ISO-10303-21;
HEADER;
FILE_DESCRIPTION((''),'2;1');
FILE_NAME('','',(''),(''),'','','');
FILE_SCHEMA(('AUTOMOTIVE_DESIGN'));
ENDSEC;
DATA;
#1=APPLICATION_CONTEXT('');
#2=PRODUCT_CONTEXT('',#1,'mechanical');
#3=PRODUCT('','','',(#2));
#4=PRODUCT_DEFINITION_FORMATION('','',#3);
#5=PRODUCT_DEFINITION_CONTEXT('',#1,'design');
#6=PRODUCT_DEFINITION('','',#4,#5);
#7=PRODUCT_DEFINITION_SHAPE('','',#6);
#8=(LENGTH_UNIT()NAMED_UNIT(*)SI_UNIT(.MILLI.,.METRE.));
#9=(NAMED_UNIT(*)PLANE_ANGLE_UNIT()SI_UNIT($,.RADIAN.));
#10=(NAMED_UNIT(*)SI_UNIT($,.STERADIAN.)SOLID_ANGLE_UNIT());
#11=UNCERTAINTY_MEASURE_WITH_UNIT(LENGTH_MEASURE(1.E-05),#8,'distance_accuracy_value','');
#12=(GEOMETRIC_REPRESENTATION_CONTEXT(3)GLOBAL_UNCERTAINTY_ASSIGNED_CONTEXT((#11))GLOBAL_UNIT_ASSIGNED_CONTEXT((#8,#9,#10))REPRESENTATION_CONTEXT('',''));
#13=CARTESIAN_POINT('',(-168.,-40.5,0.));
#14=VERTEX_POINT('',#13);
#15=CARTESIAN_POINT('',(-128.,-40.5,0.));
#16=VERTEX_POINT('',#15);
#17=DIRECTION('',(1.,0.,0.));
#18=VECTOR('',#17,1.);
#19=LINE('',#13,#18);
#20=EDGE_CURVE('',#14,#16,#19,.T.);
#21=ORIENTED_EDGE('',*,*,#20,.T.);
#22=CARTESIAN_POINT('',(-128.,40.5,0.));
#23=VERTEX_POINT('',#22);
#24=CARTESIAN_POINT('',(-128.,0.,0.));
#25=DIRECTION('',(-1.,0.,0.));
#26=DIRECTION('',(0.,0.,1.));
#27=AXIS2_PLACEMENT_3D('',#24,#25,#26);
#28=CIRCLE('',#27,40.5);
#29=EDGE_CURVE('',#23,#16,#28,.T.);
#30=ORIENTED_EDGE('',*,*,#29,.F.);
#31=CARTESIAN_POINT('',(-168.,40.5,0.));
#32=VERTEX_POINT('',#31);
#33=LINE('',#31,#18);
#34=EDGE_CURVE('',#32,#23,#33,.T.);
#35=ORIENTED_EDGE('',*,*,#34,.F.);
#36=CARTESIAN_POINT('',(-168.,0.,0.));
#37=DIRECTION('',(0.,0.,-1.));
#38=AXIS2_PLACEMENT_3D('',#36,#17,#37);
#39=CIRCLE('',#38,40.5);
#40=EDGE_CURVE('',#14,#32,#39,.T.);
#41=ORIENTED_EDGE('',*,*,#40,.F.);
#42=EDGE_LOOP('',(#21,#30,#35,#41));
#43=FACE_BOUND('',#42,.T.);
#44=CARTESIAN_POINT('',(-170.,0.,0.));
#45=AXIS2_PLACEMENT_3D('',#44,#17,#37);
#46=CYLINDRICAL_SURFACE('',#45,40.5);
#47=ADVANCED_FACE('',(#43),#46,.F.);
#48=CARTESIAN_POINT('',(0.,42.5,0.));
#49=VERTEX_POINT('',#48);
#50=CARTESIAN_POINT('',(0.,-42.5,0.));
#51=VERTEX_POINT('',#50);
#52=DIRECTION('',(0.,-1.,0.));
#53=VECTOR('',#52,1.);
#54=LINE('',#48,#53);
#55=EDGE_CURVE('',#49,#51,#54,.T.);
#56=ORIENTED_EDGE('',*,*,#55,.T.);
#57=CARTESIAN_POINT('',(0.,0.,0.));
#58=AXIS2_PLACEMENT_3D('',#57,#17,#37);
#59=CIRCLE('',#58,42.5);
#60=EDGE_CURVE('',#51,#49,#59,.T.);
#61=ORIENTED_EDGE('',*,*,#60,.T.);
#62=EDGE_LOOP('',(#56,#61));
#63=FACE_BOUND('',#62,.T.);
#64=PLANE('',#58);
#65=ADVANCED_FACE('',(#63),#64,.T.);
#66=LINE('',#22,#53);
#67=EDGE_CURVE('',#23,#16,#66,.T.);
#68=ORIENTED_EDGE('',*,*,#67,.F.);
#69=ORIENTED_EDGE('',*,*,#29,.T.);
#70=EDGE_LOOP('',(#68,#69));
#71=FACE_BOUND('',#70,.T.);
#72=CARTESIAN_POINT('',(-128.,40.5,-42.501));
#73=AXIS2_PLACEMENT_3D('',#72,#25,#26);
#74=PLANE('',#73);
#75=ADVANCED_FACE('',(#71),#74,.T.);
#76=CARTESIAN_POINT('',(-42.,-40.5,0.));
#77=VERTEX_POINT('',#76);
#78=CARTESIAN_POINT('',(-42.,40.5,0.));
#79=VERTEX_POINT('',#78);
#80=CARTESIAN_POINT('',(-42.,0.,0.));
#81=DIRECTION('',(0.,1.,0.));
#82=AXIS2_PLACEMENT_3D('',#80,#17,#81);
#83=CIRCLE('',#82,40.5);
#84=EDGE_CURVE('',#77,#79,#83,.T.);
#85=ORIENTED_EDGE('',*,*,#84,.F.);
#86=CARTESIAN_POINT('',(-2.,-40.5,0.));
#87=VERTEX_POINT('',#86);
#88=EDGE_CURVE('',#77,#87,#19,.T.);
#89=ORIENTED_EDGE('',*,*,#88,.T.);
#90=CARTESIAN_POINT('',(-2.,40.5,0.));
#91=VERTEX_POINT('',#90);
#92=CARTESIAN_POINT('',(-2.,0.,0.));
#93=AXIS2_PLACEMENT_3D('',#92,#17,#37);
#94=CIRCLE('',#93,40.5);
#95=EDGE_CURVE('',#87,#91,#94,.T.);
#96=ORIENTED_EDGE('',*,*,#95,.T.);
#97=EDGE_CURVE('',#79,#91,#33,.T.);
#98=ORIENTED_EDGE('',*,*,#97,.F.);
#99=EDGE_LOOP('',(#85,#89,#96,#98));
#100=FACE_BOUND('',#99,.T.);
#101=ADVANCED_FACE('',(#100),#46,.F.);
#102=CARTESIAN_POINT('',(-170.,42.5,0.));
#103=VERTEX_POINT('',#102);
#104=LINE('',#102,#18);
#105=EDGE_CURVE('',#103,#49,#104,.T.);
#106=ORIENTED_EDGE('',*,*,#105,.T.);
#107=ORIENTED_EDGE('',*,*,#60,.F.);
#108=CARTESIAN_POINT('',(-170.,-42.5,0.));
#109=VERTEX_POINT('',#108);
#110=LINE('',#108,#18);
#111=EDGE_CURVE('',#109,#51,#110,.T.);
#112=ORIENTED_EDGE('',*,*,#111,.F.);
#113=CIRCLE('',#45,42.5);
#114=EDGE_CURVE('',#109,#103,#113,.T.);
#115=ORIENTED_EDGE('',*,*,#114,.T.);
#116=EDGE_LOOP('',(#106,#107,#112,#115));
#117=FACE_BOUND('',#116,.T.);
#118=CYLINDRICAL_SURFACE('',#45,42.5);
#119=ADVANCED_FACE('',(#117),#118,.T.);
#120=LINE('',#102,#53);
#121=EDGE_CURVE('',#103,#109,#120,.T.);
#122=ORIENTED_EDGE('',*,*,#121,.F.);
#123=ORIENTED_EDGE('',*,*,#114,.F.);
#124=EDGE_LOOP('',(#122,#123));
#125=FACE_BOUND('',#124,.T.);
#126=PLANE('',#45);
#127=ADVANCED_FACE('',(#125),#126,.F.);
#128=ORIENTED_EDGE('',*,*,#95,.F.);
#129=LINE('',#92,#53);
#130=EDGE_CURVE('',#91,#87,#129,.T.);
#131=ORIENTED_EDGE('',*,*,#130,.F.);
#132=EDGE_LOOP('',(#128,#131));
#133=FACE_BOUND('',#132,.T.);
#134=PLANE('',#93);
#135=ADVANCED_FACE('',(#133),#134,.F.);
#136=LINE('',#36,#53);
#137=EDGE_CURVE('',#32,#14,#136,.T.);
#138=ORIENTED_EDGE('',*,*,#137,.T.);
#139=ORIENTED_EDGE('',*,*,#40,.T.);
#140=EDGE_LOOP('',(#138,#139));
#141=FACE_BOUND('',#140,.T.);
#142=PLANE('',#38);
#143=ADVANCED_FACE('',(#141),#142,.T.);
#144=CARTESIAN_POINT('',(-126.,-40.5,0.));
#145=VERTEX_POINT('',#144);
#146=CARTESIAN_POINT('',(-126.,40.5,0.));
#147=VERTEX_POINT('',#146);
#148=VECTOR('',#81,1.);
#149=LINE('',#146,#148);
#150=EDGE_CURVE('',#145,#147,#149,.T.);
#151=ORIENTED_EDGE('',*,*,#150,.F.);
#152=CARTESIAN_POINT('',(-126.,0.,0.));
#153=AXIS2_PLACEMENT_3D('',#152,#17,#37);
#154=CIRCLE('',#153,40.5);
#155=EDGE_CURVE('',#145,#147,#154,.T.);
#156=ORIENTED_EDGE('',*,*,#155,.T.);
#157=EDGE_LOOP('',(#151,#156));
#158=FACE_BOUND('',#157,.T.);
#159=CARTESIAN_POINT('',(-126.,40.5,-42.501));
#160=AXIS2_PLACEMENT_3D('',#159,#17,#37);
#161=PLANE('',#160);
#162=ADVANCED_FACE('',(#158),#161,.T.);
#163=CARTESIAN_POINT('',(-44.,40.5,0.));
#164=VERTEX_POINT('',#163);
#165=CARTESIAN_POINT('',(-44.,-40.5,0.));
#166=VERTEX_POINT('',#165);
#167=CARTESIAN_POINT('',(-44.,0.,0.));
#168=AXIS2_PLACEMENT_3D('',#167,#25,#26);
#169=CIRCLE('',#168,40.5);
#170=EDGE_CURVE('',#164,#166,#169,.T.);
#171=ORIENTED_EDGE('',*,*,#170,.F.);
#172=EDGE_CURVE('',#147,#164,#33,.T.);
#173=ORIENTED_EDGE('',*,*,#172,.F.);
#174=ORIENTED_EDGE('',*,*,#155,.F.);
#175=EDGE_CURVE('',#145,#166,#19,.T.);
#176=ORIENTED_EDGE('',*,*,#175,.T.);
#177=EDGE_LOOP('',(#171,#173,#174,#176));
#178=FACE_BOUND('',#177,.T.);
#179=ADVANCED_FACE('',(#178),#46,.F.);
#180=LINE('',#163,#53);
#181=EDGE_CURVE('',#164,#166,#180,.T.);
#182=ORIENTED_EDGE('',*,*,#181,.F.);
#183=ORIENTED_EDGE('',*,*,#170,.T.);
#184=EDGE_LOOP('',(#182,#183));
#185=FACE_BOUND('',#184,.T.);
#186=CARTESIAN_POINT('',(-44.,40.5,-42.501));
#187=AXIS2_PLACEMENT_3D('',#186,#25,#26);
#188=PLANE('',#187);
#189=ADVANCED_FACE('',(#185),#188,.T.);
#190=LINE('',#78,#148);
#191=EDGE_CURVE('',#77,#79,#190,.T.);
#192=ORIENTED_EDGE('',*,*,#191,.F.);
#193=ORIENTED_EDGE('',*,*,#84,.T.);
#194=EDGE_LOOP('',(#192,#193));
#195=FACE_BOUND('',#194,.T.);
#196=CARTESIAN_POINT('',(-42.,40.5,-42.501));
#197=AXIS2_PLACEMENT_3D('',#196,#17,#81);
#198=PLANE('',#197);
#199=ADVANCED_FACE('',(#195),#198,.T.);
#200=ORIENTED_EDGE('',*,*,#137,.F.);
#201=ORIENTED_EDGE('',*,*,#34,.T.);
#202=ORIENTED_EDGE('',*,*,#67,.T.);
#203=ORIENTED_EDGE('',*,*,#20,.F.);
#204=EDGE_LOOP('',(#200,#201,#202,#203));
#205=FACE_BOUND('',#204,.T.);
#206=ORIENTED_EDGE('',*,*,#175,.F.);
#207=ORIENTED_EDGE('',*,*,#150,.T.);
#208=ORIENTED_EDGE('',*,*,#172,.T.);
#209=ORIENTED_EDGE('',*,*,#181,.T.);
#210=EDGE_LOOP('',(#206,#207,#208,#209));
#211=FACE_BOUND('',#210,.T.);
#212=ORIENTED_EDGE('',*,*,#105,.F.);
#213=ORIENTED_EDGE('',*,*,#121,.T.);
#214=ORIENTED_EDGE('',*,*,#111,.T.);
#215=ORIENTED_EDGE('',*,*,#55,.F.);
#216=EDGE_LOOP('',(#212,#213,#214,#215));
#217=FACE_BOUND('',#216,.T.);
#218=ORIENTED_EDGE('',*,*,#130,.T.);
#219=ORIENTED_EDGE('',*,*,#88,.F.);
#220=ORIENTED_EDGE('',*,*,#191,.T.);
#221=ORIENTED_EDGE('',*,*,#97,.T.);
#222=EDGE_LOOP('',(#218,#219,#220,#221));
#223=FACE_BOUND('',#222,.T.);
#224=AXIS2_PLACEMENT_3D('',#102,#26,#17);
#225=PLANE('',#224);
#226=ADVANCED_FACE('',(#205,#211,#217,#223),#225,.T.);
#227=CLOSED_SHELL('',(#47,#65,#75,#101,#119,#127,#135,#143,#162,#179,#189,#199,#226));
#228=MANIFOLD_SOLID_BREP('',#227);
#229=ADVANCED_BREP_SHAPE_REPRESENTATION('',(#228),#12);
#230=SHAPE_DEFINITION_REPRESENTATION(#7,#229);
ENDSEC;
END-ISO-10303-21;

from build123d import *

# Parameters (mm, degrees)
PROFILE_EXTRUDE_DEPTH = 170
PROFILE_SHELL_T       = -2
SUPPORT_EXTRUDE_REACH = 182.312
SUPPORT_SKETCH_W      = 2
SUPPORT_SKETCH_H      = 81


with BuildPart() as part:
    # Profile Sketch → Profile Extrude (new body)
    with BuildSketch(Plane(origin=(0, 0, 0), x_dir=(0, 0, -1), z_dir=(1, 0, 0))):
        with BuildLine():
            Line((0, 42.5), (0, -42.5))
            ThreePointArc((0, -42.5), (42.5, 0), (0, 42.5))
        make_face()
    extrude(amount=-PROFILE_EXTRUDE_DEPTH)

    # Profile Shell
    profile_shell_openings = [part.faces().sort_by_distance(p)[0] for p in [
        (-85, 0, 0),
    ]]
    offset(amount=PROFILE_SHELL_T, openings=profile_shell_openings)

    # Support Sketch → Support Extrude (add, up to next)
    with BuildSketch(Plane.XY, mode=Mode.PRIVATE) as support_extrude_sk1:
        with Locations((-127, 0)):
            Rectangle(SUPPORT_SKETCH_W, SUPPORT_SKETCH_H)
    support_extrude_tool1 = extrude(support_extrude_sk1.sketch, amount=-SUPPORT_EXTRUDE_REACH, mode=Mode.PRIVATE) - part.part
    # Support Sketch → Support Extrude (add, up to next)
    with BuildSketch(Plane.XY, mode=Mode.PRIVATE) as support_extrude_sk2:
        with Locations((-43, 0)):
            Rectangle(SUPPORT_SKETCH_W, SUPPORT_SKETCH_H)
    support_extrude_tool2 = extrude(support_extrude_sk2.sketch, amount=-SUPPORT_EXTRUDE_REACH, mode=Mode.PRIVATE) - part.part
    add(support_extrude_tool1.solids().sort_by_distance((-127, 0, 0))[0])
    add(support_extrude_tool2.solids().sort_by_distance((-43, 0, 0))[0])


solid = part.part
